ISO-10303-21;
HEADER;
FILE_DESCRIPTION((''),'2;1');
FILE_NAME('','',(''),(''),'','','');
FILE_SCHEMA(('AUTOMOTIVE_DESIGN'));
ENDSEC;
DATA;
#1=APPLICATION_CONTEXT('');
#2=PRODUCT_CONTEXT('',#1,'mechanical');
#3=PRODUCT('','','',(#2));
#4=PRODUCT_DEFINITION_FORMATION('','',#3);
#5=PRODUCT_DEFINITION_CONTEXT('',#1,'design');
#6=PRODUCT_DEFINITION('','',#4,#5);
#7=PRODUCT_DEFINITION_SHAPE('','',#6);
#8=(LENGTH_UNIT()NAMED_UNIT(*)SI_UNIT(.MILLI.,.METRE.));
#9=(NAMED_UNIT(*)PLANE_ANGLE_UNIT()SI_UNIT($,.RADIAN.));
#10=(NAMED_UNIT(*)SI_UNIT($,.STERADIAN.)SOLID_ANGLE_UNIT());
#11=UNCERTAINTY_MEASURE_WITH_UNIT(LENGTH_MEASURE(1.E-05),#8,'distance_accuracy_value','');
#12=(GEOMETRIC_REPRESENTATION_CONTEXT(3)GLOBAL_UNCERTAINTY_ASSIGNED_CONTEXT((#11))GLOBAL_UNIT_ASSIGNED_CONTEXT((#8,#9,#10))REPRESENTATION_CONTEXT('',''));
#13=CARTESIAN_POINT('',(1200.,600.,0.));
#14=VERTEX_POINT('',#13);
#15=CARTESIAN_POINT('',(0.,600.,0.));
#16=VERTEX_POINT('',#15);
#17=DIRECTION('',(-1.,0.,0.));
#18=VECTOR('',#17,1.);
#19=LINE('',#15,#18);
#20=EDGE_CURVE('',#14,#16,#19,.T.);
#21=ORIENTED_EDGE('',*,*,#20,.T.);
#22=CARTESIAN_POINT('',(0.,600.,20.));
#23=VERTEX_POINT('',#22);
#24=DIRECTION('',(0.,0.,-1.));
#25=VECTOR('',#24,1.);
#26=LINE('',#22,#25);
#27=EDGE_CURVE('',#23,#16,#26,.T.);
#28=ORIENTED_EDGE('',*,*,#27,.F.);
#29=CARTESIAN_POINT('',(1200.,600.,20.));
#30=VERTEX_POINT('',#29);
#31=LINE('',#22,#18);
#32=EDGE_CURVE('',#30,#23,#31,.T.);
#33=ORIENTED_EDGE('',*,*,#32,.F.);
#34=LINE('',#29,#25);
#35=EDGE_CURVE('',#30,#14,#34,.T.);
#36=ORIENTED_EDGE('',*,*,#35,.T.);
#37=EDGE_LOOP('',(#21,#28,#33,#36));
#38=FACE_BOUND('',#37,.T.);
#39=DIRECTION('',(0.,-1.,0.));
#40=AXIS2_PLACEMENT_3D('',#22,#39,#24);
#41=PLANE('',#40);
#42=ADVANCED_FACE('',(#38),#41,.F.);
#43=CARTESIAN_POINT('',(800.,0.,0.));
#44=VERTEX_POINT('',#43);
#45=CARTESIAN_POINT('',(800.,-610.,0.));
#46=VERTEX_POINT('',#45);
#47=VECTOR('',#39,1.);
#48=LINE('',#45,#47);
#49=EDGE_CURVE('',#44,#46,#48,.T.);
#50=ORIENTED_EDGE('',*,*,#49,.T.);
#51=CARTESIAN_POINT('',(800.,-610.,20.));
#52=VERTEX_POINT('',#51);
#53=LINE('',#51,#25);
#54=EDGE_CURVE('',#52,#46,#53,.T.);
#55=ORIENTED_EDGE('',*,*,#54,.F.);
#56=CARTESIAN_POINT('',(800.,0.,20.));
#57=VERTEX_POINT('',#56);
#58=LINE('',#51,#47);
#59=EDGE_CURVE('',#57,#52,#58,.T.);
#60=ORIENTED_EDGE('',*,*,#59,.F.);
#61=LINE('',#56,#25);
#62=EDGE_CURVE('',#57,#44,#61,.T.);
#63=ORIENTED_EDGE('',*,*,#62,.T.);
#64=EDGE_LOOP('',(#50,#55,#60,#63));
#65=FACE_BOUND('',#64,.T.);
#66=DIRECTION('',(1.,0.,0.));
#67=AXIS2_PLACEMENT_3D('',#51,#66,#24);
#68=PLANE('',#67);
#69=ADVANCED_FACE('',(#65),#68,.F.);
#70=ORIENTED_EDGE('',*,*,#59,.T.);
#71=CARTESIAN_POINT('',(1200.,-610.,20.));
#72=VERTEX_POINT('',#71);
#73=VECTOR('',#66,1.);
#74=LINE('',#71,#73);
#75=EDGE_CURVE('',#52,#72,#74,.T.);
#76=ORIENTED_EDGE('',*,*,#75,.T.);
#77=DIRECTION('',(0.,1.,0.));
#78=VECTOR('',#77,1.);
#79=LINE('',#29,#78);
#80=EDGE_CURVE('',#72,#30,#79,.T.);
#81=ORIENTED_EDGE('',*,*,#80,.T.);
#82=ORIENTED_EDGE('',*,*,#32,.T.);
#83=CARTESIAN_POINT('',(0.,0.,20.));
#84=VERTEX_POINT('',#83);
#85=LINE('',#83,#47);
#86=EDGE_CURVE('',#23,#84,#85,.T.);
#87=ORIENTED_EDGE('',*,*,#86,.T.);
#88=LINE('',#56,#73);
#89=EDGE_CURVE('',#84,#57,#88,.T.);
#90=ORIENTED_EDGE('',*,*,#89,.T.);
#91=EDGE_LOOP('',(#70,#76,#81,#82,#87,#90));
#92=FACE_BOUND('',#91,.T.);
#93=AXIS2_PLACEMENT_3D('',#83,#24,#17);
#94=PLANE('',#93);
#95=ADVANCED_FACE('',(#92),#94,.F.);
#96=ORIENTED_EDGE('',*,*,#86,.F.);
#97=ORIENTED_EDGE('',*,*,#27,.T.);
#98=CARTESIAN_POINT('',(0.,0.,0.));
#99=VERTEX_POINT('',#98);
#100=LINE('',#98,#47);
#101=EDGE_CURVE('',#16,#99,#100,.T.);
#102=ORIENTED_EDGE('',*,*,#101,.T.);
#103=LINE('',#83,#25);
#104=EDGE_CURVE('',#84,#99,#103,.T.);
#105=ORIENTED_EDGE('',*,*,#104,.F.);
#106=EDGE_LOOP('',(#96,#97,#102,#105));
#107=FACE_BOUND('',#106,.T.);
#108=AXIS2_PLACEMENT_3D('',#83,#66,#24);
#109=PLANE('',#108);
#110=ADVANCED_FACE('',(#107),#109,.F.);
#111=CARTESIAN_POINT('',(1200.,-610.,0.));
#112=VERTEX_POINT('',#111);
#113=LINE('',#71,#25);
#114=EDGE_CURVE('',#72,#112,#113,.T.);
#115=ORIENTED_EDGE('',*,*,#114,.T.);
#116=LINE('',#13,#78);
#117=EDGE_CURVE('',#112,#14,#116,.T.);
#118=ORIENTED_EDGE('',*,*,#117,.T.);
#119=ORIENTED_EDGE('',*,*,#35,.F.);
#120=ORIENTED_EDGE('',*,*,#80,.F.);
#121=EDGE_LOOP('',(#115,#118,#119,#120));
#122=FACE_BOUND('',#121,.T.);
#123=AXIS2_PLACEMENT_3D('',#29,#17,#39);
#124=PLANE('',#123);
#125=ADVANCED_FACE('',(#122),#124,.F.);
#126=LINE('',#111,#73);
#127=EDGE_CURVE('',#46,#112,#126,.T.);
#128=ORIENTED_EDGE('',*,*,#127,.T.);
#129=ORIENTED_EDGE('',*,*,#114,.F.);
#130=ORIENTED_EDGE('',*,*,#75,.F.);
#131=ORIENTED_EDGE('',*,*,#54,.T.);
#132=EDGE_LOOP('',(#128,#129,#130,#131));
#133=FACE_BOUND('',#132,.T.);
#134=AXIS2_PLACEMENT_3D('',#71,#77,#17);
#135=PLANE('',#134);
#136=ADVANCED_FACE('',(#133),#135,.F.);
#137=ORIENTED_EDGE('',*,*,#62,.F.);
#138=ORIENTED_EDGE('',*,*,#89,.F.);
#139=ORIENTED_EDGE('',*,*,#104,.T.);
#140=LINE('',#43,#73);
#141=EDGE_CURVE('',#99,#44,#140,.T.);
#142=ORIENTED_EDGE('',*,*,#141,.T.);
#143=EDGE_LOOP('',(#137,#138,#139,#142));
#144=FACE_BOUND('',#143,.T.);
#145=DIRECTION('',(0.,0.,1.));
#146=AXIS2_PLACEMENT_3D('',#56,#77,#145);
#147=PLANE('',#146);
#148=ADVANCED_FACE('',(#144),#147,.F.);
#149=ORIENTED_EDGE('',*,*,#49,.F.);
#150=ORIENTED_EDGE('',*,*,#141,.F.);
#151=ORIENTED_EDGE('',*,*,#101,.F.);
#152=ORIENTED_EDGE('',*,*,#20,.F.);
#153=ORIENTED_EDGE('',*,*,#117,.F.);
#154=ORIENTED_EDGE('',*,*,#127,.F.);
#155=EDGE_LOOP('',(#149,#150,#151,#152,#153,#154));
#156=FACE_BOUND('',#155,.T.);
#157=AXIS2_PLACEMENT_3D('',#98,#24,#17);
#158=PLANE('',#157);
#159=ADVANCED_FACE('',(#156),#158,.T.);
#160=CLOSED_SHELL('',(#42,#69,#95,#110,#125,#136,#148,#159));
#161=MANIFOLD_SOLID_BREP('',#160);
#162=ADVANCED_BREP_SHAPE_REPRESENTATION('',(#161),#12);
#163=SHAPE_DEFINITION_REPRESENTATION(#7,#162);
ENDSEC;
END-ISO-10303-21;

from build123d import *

# Parameters (mm, degrees)
BOSS_EXTRU_1_DEPTH = 20


with BuildPart() as part:
    # Esquisse1 → Boss.-Extru.1 (new body)
    with BuildSketch(Plane.XY):
        Polygon((0, 0), (0, 600), (1200, 600), (1200, -610), (800, -610), (800, 0), align=None)
    extrude(amount=BOSS_EXTRU_1_DEPTH)


solid = part.part
